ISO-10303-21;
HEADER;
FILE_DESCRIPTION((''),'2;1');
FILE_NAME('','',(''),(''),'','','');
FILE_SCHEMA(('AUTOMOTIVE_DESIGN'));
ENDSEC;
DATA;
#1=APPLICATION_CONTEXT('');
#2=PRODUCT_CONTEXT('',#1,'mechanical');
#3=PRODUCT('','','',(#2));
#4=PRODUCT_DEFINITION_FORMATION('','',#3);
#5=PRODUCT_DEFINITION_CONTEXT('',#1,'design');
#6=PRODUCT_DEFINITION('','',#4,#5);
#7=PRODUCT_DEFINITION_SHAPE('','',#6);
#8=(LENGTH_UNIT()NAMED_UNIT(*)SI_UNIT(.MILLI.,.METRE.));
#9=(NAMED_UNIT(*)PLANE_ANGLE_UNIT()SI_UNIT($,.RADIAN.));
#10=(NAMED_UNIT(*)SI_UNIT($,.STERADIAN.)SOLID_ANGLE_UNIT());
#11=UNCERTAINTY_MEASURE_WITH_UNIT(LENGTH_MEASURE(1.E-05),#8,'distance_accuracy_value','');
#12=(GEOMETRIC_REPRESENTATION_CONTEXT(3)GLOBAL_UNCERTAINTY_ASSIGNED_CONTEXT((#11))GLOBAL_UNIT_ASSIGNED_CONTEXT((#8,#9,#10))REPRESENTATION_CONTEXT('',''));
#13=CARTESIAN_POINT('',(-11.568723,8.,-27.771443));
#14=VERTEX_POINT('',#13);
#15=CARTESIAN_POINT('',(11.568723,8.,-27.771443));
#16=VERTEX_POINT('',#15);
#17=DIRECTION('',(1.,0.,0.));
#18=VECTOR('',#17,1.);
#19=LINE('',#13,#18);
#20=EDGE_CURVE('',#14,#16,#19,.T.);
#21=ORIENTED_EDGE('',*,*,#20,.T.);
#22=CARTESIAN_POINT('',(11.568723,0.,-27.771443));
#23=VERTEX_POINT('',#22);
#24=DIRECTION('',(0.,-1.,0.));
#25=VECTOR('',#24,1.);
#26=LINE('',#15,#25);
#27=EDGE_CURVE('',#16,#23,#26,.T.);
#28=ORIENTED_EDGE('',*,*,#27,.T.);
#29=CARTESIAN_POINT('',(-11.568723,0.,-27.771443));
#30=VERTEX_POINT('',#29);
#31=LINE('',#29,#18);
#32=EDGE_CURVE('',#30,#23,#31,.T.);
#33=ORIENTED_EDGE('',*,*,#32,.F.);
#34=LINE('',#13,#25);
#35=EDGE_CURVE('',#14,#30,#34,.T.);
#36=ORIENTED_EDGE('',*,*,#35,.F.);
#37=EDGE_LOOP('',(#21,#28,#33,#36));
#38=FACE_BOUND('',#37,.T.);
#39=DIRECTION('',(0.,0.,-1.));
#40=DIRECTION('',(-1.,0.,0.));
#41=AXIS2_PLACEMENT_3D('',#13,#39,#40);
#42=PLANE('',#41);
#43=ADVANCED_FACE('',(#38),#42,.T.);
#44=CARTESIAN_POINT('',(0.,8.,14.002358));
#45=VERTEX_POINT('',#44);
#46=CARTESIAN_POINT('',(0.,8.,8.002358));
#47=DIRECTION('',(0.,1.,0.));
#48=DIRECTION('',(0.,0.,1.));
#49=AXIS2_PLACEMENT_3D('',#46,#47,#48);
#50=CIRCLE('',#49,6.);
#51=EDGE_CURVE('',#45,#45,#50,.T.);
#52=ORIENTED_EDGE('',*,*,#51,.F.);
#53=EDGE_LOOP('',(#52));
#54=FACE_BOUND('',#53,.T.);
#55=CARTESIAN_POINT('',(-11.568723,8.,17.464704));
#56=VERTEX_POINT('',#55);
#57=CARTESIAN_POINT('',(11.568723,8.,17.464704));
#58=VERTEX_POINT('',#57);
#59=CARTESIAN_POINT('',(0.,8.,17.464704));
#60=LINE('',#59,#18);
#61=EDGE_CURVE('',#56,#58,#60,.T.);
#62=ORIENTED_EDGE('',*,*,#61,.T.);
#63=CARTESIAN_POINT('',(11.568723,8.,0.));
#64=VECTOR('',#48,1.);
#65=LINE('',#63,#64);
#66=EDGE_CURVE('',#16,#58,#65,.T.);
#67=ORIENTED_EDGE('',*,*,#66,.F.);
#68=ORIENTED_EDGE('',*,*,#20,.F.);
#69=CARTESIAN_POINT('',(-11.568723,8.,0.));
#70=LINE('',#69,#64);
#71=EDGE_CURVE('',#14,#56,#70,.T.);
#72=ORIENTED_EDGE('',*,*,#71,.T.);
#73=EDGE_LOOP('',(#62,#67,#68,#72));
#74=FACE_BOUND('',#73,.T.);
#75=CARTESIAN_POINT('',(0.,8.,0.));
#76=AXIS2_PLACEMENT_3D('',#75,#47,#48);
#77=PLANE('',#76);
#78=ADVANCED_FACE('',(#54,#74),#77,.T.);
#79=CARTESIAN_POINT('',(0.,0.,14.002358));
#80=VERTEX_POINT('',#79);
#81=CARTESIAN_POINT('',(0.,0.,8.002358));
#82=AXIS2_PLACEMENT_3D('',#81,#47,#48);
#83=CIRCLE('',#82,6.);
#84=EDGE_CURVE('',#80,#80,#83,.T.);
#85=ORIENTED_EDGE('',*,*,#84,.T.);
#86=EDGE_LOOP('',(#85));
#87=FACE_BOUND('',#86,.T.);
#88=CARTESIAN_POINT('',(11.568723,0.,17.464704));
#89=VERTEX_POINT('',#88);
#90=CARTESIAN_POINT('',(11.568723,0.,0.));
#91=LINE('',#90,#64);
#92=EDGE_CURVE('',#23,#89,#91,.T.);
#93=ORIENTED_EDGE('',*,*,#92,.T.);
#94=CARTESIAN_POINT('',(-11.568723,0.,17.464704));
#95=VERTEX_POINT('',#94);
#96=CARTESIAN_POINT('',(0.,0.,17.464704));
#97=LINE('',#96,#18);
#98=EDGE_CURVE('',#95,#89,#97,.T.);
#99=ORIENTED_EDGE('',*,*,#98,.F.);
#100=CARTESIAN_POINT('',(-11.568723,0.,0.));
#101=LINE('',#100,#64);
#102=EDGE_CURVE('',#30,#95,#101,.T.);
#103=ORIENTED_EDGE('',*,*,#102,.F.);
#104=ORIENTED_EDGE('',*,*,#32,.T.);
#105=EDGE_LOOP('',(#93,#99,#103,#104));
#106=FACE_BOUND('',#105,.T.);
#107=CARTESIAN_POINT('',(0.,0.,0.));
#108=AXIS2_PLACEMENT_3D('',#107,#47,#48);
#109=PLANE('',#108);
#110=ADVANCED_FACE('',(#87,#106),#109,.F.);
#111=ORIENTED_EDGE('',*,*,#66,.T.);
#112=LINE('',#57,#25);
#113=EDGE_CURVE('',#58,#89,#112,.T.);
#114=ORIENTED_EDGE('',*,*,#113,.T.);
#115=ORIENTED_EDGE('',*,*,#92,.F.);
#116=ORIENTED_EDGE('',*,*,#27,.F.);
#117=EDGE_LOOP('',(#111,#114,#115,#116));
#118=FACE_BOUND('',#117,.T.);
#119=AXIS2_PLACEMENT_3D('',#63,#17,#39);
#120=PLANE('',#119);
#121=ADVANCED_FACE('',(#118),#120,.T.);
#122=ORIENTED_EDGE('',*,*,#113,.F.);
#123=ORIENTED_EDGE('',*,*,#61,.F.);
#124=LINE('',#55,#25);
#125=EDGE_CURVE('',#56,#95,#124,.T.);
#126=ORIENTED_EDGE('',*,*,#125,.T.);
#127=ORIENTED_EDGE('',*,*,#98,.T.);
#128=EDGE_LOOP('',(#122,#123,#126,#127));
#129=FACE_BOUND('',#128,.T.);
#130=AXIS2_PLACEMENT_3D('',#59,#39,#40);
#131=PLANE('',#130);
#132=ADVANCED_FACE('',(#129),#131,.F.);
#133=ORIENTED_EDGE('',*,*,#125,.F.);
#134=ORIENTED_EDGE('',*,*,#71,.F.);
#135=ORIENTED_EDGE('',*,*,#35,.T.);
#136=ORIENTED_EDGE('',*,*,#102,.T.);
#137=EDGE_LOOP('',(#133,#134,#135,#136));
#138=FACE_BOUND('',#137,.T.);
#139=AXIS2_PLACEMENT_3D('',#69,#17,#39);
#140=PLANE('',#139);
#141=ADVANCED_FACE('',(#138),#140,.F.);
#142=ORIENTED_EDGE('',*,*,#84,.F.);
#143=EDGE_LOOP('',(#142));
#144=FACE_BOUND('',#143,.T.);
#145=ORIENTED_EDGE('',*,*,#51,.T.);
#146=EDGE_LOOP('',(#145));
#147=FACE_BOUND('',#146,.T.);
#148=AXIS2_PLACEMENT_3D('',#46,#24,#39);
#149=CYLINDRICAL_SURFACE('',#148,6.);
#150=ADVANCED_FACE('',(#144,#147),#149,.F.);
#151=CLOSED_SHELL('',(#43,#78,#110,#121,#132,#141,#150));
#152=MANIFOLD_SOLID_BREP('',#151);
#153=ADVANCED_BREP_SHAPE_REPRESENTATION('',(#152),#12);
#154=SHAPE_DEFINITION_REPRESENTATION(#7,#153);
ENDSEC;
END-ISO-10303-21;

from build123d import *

# Parameters (mm, degrees)
BOSS_EXTRUDE1_DEPTH = 8
SKETCH2_W           = 23.137445614
SKETCH2_H           = 10.306738945
BOSS_EXTRUDE2_DEPTH = 8


with BuildPart() as part:
    # Sketch1 → Boss-Extrude1 (new body)
    with BuildSketch(Plane(origin=(0, 0, 0), x_dir=(1, 0, 0), z_dir=(0, 1, 0))):
        with BuildLine():
            Line((11.568722807, -17.464704369), (11.568722807, 17.464704369))
            Line((11.568722807, 17.464704369), (0, 17.464704369))
            Line((0, 17.464704369), (0, -2.002357687))
            ThreePointArc((0, -2.002357687), (4.242640687, -3.759717), (6, -8.002357687))
            ThreePointArc((6, -8.002357687), (4.242640687, -12.244998375), (0, -14.002357687))
            Line((0, -14.002357687), (0, -17.464704369))
            Line((0, -17.464704369), (11.568722807, -17.464704369))
        make_face()
        with BuildLine():
            Line((0, -2.002357687), (0, 17.464704369))
            Line((0, 17.464704369), (-11.568722807, 17.464704369))
            Line((-11.568722807, 17.464704369), (-11.568722807, -17.464704369))
            Line((-11.568722807, -17.464704369), (0, -17.464704369))
            Line((0, -17.464704369), (0, -14.002357687))
            ThreePointArc((0, -14.002357687), (-6, -8.002357687), (0, -2.002357687))
        make_face()
    extrude(amount=BOSS_EXTRUDE1_DEPTH)

    # Sketch2 → Boss-Extrude2 (add)
    with BuildSketch(Plane.XZ):
        with Locations((0, -22.618073841)):
            Rectangle(SKETCH2_W, SKETCH2_H)
    extrude(amount=-BOSS_EXTRUDE2_DEPTH)


solid = part.part
